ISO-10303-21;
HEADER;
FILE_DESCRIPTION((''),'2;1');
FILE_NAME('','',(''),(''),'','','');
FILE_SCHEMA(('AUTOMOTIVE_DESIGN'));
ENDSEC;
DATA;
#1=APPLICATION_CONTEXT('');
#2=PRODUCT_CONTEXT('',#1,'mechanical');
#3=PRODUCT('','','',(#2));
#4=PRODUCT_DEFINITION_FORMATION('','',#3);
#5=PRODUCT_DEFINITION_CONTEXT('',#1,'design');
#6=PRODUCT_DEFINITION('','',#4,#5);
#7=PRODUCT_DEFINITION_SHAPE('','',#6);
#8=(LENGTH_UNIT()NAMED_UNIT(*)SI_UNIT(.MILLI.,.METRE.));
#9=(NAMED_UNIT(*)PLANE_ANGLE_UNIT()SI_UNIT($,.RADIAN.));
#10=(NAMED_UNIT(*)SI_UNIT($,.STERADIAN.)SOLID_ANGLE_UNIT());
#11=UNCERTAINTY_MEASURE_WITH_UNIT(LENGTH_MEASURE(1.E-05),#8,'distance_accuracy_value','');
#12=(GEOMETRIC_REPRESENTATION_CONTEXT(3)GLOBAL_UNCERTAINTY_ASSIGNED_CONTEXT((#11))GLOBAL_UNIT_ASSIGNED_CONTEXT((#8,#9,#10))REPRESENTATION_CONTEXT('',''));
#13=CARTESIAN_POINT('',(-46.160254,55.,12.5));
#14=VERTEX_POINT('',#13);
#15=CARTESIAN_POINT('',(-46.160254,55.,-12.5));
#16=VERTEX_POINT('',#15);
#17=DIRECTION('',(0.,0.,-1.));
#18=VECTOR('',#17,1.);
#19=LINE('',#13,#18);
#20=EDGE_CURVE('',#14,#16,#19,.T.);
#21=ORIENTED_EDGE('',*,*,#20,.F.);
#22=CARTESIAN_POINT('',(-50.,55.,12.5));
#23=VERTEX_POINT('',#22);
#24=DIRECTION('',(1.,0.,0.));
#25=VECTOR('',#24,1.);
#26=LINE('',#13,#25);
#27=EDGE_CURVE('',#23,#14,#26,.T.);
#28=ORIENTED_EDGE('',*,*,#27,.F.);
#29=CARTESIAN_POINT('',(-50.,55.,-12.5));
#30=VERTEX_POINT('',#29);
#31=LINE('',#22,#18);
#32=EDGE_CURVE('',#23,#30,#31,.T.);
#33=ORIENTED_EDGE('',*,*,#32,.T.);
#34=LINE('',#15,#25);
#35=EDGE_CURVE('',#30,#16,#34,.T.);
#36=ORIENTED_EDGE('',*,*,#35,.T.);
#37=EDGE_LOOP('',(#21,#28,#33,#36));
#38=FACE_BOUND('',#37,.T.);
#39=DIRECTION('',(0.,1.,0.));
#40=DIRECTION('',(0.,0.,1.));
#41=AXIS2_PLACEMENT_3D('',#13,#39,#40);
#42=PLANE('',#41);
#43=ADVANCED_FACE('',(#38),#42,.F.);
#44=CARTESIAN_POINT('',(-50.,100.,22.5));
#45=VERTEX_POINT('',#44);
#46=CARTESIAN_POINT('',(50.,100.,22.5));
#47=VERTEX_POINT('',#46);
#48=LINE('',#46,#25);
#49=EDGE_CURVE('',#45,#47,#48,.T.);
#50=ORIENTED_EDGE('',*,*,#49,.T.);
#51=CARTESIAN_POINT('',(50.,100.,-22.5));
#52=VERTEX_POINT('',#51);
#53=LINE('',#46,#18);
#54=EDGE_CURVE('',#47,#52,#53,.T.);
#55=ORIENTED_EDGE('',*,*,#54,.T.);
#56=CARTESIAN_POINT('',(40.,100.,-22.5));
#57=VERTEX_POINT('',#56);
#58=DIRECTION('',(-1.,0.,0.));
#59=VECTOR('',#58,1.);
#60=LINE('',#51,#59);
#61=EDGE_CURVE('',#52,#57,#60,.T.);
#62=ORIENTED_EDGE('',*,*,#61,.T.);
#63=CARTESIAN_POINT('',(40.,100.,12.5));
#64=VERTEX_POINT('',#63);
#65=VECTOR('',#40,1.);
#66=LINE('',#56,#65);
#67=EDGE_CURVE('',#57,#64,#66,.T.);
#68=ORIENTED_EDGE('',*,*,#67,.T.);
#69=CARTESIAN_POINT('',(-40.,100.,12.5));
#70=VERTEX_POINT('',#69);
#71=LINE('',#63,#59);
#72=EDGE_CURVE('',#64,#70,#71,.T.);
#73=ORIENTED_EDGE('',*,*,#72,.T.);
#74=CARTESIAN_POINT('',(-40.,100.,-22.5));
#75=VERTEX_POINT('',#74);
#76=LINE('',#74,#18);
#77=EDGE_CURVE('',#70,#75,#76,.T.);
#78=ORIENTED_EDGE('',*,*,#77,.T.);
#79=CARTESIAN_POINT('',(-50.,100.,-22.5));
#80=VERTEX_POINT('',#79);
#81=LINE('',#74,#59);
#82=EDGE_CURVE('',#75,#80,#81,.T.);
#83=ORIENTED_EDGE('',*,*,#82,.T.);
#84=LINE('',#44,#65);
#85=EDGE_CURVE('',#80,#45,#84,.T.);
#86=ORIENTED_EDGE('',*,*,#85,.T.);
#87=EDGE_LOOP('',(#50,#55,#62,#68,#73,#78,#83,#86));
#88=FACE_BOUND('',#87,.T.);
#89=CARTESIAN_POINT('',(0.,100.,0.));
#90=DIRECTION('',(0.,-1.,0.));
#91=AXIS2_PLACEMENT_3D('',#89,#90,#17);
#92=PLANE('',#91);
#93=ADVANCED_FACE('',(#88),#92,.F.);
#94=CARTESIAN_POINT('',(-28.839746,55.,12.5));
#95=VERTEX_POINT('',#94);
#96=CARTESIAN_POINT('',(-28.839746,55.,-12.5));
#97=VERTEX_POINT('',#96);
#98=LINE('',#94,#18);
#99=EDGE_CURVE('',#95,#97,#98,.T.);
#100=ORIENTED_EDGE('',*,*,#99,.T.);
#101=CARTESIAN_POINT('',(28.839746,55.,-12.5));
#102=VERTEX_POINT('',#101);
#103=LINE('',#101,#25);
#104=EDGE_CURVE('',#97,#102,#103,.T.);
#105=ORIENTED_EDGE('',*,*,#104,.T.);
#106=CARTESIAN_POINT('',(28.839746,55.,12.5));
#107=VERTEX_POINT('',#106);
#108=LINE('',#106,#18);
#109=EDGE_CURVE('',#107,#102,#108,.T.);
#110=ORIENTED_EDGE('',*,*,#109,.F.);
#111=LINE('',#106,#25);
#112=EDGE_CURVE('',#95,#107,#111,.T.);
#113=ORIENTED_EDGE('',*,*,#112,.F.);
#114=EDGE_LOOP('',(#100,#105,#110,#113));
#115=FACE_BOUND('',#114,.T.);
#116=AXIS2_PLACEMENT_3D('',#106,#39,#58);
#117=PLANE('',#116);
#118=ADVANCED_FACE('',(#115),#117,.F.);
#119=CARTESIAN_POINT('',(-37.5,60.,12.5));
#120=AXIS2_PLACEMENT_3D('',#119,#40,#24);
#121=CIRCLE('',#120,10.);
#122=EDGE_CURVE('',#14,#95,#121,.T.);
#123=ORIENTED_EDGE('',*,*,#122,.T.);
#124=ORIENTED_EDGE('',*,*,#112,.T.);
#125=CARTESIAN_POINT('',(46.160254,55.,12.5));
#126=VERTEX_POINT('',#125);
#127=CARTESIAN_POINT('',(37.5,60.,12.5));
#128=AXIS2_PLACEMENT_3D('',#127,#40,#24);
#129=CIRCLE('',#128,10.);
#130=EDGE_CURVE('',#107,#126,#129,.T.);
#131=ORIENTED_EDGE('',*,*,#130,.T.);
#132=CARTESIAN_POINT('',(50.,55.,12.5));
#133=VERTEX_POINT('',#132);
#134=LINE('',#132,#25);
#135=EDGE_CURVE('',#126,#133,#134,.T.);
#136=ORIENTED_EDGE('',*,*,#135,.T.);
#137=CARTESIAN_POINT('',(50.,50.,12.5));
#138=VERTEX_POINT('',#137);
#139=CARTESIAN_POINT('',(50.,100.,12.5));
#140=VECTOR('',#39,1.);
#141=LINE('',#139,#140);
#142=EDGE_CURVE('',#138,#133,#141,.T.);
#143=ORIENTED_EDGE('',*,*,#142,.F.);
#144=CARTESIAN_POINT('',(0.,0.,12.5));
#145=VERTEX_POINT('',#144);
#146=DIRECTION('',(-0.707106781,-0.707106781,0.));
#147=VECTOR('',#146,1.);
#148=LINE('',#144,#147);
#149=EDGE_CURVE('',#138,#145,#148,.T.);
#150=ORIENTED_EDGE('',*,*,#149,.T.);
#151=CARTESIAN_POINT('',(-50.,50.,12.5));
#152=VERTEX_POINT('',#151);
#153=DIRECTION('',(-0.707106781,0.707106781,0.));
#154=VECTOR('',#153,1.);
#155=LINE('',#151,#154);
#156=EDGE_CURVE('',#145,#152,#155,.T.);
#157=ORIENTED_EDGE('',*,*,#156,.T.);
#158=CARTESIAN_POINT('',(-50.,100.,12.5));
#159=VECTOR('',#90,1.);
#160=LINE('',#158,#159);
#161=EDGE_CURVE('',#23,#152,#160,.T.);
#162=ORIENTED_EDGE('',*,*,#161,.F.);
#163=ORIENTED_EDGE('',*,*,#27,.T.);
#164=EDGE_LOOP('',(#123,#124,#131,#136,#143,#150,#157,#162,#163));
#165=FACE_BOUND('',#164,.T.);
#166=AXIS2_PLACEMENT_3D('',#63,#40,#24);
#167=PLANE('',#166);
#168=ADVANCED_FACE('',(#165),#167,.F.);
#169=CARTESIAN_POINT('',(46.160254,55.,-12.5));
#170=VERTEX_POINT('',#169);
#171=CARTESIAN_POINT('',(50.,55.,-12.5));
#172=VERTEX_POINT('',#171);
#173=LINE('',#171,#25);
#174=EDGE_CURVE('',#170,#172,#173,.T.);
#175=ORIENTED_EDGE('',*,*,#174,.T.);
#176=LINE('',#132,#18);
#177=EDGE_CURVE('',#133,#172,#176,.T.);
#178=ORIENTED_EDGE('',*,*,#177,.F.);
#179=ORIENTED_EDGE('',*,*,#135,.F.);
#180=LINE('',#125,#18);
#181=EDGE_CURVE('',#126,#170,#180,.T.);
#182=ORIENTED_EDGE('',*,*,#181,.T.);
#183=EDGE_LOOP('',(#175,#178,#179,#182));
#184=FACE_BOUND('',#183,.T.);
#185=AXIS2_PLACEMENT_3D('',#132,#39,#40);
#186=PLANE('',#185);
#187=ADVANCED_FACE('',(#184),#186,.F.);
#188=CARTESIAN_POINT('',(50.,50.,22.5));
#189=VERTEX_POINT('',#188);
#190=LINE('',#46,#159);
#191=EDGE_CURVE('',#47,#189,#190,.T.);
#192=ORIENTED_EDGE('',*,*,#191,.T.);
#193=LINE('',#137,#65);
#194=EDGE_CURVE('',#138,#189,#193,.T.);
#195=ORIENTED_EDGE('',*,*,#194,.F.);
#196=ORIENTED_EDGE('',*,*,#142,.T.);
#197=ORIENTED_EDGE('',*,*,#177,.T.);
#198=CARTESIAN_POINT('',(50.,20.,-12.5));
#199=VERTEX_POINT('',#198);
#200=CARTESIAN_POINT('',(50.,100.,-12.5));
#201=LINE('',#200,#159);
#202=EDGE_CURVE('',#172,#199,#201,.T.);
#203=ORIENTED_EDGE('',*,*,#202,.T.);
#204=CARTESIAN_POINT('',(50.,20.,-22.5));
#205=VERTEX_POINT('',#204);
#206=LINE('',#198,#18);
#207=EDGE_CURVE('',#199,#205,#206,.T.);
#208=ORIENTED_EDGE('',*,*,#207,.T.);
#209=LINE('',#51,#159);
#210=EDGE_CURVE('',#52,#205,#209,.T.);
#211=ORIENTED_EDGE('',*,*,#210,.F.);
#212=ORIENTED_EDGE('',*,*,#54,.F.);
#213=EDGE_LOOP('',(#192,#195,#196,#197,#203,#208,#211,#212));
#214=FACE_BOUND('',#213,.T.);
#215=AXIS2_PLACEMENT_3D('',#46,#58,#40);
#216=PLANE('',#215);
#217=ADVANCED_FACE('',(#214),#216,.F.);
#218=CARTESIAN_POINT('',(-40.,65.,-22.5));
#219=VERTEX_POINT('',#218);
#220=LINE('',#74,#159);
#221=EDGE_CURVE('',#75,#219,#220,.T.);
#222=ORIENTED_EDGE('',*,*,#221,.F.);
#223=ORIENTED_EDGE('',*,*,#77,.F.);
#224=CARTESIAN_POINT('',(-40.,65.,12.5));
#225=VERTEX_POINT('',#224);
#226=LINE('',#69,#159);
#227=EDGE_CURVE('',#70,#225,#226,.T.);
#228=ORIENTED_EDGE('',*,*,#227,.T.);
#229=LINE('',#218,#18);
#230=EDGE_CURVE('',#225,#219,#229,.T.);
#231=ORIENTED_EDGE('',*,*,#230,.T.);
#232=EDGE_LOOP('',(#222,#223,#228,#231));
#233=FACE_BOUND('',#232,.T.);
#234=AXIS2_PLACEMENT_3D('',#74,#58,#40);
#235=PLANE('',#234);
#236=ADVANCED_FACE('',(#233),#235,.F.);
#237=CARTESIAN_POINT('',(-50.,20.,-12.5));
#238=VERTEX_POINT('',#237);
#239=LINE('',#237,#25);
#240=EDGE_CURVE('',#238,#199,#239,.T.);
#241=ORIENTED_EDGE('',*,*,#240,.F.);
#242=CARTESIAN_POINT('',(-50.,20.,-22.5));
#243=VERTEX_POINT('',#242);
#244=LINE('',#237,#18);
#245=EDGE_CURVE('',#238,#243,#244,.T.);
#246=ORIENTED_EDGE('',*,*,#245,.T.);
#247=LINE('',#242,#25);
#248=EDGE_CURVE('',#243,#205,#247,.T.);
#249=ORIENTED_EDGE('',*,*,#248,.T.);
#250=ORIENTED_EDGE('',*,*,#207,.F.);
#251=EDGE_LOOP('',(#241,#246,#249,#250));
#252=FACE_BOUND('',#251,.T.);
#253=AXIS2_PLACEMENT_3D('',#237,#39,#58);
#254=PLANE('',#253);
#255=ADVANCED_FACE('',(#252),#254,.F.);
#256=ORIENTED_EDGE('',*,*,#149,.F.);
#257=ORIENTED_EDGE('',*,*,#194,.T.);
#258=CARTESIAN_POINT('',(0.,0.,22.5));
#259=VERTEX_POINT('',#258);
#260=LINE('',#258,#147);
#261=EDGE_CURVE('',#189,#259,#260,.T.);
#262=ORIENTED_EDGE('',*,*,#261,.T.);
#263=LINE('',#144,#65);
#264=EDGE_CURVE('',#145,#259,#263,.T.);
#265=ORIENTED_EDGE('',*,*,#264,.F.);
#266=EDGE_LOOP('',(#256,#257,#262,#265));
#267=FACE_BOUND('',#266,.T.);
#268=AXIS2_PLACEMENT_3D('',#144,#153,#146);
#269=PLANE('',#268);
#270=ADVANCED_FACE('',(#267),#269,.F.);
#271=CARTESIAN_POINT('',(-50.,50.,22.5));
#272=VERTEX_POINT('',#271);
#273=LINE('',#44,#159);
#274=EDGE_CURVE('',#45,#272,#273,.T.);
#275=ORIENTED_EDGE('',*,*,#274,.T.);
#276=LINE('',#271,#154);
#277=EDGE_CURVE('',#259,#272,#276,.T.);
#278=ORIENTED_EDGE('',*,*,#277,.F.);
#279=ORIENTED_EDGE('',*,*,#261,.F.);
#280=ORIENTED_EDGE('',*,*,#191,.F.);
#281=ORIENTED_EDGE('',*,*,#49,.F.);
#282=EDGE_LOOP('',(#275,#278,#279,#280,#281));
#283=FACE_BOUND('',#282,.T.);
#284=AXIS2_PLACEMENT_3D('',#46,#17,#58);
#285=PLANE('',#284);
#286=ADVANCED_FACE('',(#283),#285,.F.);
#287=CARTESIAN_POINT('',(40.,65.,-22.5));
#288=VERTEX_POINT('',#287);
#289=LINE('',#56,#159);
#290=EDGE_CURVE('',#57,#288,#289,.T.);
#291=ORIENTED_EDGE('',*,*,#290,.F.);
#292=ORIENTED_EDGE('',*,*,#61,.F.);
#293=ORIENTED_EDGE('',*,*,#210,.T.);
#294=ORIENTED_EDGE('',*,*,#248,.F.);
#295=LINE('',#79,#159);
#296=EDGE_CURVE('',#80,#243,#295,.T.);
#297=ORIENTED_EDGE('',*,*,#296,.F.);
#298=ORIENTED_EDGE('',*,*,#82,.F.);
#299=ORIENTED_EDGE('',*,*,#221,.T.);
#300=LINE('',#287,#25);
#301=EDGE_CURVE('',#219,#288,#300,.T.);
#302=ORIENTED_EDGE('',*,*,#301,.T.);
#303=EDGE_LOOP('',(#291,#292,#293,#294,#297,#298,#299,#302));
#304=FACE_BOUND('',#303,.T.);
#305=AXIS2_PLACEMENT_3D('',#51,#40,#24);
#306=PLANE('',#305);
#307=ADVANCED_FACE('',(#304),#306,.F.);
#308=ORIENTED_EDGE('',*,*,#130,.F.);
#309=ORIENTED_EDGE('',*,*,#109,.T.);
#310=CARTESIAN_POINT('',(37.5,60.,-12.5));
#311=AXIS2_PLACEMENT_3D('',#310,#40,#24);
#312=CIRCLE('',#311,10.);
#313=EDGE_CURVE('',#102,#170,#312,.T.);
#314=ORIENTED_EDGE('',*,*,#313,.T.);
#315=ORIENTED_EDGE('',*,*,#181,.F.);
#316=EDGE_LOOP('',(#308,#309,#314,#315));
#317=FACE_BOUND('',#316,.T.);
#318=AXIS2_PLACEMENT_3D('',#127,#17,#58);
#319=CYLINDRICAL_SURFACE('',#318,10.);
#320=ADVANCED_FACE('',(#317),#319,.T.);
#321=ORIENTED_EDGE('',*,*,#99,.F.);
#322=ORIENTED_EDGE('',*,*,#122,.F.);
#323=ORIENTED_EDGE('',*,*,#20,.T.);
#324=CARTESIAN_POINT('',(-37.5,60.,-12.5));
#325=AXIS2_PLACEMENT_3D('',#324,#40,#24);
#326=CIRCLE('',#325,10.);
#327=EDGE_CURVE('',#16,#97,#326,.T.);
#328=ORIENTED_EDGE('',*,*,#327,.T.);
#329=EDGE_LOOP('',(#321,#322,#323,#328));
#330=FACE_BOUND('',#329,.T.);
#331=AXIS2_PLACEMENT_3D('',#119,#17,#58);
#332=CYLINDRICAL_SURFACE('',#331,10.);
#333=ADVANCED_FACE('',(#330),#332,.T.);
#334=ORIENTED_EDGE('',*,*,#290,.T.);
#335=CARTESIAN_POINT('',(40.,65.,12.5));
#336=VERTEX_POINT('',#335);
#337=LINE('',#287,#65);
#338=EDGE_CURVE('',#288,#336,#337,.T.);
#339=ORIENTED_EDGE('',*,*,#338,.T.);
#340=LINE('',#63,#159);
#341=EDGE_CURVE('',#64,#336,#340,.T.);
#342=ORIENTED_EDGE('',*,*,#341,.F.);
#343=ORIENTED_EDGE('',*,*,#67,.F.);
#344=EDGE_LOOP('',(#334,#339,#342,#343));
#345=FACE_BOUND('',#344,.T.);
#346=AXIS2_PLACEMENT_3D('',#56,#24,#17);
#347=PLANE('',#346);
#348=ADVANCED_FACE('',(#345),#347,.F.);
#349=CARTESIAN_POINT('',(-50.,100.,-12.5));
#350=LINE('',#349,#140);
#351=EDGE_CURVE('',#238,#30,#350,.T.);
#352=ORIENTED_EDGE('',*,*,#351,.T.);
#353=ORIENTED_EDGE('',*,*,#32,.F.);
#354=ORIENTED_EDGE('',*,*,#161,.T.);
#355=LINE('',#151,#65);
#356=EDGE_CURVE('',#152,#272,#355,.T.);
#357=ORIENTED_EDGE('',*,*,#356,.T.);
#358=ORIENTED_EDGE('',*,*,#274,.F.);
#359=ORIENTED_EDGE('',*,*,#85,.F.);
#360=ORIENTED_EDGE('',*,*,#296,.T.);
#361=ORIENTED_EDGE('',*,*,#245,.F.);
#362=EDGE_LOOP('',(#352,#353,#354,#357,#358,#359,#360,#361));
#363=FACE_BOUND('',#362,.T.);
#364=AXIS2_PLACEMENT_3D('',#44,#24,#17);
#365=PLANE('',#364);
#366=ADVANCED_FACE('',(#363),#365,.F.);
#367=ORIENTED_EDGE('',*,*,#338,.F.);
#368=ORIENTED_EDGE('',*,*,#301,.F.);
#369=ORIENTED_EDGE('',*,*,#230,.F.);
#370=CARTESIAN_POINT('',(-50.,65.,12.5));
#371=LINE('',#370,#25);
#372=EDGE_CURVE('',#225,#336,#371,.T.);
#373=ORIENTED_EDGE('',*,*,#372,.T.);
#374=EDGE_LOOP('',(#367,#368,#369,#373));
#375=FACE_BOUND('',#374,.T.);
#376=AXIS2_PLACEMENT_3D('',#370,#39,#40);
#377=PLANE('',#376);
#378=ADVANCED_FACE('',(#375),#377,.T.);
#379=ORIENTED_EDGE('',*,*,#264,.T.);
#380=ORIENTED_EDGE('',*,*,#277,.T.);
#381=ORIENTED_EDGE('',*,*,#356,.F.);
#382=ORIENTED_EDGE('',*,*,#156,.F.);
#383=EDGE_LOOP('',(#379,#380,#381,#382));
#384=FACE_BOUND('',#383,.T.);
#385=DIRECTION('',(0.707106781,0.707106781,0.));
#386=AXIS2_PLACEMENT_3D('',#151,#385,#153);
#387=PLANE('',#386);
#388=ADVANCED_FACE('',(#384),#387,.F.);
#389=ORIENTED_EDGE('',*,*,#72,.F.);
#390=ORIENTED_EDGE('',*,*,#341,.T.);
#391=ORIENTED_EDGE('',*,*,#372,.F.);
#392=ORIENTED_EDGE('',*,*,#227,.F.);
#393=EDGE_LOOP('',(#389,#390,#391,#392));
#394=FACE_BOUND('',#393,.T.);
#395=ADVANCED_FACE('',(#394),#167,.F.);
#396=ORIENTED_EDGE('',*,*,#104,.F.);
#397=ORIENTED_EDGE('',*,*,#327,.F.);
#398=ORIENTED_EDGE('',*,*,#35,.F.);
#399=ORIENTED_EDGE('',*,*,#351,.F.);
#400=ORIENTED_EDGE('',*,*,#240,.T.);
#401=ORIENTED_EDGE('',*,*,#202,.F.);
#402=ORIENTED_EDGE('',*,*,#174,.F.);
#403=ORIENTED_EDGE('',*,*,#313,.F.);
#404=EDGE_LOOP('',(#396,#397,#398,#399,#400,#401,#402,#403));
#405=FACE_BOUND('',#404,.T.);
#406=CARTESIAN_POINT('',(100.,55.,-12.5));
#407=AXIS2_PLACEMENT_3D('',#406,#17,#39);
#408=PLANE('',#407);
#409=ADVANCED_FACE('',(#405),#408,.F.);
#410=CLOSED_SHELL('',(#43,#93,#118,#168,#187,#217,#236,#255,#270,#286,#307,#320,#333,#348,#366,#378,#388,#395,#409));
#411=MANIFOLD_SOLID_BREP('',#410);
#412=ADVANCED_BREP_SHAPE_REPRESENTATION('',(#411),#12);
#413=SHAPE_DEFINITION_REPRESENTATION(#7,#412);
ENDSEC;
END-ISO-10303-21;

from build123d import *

# Parameters (mm, degrees)
BOSS_EXTRUDE1_DEPTH       = 100
CUT_EXTRUDE8_DEPTH        = 100
CUT_EXTRUDE8_DEPTH_BACK   = 100
SKETCH4_W                 = 25
SKETCH4_H                 = 55
CUT_EXTRUDE9_DEPTH        = 10
CUT_EXTRUDE10_DEPTH       = 10
SKETCH7_W                 = 80
SKETCH7_H                 = 65
BOSS_EXTRUDE2_DEPTH       = 10
SKETCH8_W                 = 100
SKETCH8_H                 = 20
CUT_EXTRUDE11_DEPTH       = 10
BOSS_EXTRUDE11_DEPTH      = 90
BOSS_EXTRUDE11_DEPTH_BACK = 10
SKETCH9_W                 = 25
SKETCH9_H                 = 15
CUT_EXTRUDE16_DEPTH       = 12.5
CUT_EXTRUDE16_DEPTH_BACK  = 12.5
SKETCH10_OUTSIDE_W        = 131.682
SKETCH10_OUTSIDE_H        = 131.682


with BuildPart() as part:
    # Sketch2 → Boss-Extrude1 (new body)
    with BuildSketch(Plane(origin=(0, 0, 0), x_dir=(1, 0, 0), z_dir=(0, 1, 0))):
        Polygon((-40, 22.5), (-40, -12.5), (40, -12.5), (40, 22.5), (50, 22.5), (50, -22.5), (-50, -22.5), (-50, 22.5), align=None)
    extrude(amount=BOSS_EXTRUDE1_DEPTH)

    # Sketch4 → Cut-Extrude8 (cut, two sides: drawn at the far end of the back side and taken through both)
    with BuildSketch(Plane(origin=(0, 0, 0), x_dir=(0, 0, -1), z_dir=(1, 0, 0)).offset(-CUT_EXTRUDE8_DEPTH_BACK)):
        with Locations((0, 27.5)):
            Rectangle(SKETCH4_W, SKETCH4_H)
    extrude(amount=CUT_EXTRUDE8_DEPTH + CUT_EXTRUDE8_DEPTH_BACK, mode=Mode.SUBTRACT)

    # Sketch5 → Cut-Extrude9 (cut)
    with BuildSketch(Plane.XY.offset(22.5)):
        Polygon((-50, 50), (0, 0), (-50, 0), align=None)
    extrude(amount=-CUT_EXTRUDE9_DEPTH, mode=Mode.SUBTRACT)

    # Sketch6 → Cut-Extrude10 (cut)
    with BuildSketch(Plane.XY.offset(22.5)):
        Polygon((0, 0), (50, 50), (50, 0), align=None)
    extrude(amount=-CUT_EXTRUDE10_DEPTH, mode=Mode.SUBTRACT)


with BuildPart() as body_2:
    # Sketch7 → Boss-Extrude2 (new body)
    with BuildSketch(Plane(origin=(0, 0, -22.5), x_dir=(-1, 0, 0), z_dir=(0, 0, -1))):
        with Locations((0, 32.5)):
            Rectangle(SKETCH7_W, SKETCH7_H)
    extrude(amount=-BOSS_EXTRUDE2_DEPTH)


with BuildPart() as cut_extrude11_tool:
    # Sketch8 → Cut-Extrude11 (new body)
    with BuildSketch(Plane(origin=(0, 0, -22.5), x_dir=(-1, 0, 0), z_dir=(0, 0, -1))):
        with Locations((0, 10)):
            Rectangle(SKETCH8_W, SKETCH8_H)
    extrude(amount=-CUT_EXTRUDE11_DEPTH)


with BuildPart() as part_1:
    add(part.part)

    # Cut-Extrude11: cut by cut_extrude11_tool
    add(cut_extrude11_tool.part, mode=Mode.SUBTRACT)



with BuildPart() as body_2_1:
    add(body_2.part)

    # Cut-Extrude11: cut by cut_extrude11_tool
    add(cut_extrude11_tool.part, mode=Mode.SUBTRACT)


with BuildPart() as part_2:
    add(part_1.part)

    add(body_2_1.part)  # Boss-Extrude11 merges body 2
    # Sketch9 → Boss-Extrude11 (add, two sides: drawn at the far end of the back side and taken through both)
    with BuildSketch(Plane(origin=(-40, 0, 0), x_dir=(0, 0, -1), z_dir=(1, 0, 0)).offset(-BOSS_EXTRUDE11_DEPTH_BACK)):
        with Locations((0, 57.5)):
            Rectangle(SKETCH9_W, SKETCH9_H)
    extrude(amount=BOSS_EXTRUDE11_DEPTH + BOSS_EXTRUDE11_DEPTH_BACK)

    # Sketch10 outside → Cut-Extrude16 (cut, two sides: drawn at the far end of the back side and taken through both)
    with BuildSketch(Plane.XY.offset(-CUT_EXTRUDE16_DEPTH_BACK)):
        with Locations((0, 50)):
            Rectangle(SKETCH10_OUTSIDE_W, SKETCH10_OUTSIDE_H)
        with BuildLine():
            Line((50, 55), (46.160254038, 55))
            ThreePointArc((46.160254038, 55), (37.5, 50), (28.839745962, 55))
            Line((28.839745962, 55), (-28.839745962, 55))
            ThreePointArc((-28.839745962, 55), (-37.5, 50), (-46.160254038, 55))
            Line((-46.160254038, 55), (-50, 55))
            Line((-50, 55), (-50, 100))
            Line((-50, 100), (-40, 100))
            Line((-40, 100), (-40, 65))
            Line((-40, 65), (40, 65))
            Line((40, 65), (40, 100))
            Line((40, 100), (50, 100))
            Line((50, 100), (50, 55))
        make_face(mode=Mode.SUBTRACT)
    extrude(amount=CUT_EXTRUDE16_DEPTH + CUT_EXTRUDE16_DEPTH_BACK, mode=Mode.SUBTRACT)


solid = part_2.part
